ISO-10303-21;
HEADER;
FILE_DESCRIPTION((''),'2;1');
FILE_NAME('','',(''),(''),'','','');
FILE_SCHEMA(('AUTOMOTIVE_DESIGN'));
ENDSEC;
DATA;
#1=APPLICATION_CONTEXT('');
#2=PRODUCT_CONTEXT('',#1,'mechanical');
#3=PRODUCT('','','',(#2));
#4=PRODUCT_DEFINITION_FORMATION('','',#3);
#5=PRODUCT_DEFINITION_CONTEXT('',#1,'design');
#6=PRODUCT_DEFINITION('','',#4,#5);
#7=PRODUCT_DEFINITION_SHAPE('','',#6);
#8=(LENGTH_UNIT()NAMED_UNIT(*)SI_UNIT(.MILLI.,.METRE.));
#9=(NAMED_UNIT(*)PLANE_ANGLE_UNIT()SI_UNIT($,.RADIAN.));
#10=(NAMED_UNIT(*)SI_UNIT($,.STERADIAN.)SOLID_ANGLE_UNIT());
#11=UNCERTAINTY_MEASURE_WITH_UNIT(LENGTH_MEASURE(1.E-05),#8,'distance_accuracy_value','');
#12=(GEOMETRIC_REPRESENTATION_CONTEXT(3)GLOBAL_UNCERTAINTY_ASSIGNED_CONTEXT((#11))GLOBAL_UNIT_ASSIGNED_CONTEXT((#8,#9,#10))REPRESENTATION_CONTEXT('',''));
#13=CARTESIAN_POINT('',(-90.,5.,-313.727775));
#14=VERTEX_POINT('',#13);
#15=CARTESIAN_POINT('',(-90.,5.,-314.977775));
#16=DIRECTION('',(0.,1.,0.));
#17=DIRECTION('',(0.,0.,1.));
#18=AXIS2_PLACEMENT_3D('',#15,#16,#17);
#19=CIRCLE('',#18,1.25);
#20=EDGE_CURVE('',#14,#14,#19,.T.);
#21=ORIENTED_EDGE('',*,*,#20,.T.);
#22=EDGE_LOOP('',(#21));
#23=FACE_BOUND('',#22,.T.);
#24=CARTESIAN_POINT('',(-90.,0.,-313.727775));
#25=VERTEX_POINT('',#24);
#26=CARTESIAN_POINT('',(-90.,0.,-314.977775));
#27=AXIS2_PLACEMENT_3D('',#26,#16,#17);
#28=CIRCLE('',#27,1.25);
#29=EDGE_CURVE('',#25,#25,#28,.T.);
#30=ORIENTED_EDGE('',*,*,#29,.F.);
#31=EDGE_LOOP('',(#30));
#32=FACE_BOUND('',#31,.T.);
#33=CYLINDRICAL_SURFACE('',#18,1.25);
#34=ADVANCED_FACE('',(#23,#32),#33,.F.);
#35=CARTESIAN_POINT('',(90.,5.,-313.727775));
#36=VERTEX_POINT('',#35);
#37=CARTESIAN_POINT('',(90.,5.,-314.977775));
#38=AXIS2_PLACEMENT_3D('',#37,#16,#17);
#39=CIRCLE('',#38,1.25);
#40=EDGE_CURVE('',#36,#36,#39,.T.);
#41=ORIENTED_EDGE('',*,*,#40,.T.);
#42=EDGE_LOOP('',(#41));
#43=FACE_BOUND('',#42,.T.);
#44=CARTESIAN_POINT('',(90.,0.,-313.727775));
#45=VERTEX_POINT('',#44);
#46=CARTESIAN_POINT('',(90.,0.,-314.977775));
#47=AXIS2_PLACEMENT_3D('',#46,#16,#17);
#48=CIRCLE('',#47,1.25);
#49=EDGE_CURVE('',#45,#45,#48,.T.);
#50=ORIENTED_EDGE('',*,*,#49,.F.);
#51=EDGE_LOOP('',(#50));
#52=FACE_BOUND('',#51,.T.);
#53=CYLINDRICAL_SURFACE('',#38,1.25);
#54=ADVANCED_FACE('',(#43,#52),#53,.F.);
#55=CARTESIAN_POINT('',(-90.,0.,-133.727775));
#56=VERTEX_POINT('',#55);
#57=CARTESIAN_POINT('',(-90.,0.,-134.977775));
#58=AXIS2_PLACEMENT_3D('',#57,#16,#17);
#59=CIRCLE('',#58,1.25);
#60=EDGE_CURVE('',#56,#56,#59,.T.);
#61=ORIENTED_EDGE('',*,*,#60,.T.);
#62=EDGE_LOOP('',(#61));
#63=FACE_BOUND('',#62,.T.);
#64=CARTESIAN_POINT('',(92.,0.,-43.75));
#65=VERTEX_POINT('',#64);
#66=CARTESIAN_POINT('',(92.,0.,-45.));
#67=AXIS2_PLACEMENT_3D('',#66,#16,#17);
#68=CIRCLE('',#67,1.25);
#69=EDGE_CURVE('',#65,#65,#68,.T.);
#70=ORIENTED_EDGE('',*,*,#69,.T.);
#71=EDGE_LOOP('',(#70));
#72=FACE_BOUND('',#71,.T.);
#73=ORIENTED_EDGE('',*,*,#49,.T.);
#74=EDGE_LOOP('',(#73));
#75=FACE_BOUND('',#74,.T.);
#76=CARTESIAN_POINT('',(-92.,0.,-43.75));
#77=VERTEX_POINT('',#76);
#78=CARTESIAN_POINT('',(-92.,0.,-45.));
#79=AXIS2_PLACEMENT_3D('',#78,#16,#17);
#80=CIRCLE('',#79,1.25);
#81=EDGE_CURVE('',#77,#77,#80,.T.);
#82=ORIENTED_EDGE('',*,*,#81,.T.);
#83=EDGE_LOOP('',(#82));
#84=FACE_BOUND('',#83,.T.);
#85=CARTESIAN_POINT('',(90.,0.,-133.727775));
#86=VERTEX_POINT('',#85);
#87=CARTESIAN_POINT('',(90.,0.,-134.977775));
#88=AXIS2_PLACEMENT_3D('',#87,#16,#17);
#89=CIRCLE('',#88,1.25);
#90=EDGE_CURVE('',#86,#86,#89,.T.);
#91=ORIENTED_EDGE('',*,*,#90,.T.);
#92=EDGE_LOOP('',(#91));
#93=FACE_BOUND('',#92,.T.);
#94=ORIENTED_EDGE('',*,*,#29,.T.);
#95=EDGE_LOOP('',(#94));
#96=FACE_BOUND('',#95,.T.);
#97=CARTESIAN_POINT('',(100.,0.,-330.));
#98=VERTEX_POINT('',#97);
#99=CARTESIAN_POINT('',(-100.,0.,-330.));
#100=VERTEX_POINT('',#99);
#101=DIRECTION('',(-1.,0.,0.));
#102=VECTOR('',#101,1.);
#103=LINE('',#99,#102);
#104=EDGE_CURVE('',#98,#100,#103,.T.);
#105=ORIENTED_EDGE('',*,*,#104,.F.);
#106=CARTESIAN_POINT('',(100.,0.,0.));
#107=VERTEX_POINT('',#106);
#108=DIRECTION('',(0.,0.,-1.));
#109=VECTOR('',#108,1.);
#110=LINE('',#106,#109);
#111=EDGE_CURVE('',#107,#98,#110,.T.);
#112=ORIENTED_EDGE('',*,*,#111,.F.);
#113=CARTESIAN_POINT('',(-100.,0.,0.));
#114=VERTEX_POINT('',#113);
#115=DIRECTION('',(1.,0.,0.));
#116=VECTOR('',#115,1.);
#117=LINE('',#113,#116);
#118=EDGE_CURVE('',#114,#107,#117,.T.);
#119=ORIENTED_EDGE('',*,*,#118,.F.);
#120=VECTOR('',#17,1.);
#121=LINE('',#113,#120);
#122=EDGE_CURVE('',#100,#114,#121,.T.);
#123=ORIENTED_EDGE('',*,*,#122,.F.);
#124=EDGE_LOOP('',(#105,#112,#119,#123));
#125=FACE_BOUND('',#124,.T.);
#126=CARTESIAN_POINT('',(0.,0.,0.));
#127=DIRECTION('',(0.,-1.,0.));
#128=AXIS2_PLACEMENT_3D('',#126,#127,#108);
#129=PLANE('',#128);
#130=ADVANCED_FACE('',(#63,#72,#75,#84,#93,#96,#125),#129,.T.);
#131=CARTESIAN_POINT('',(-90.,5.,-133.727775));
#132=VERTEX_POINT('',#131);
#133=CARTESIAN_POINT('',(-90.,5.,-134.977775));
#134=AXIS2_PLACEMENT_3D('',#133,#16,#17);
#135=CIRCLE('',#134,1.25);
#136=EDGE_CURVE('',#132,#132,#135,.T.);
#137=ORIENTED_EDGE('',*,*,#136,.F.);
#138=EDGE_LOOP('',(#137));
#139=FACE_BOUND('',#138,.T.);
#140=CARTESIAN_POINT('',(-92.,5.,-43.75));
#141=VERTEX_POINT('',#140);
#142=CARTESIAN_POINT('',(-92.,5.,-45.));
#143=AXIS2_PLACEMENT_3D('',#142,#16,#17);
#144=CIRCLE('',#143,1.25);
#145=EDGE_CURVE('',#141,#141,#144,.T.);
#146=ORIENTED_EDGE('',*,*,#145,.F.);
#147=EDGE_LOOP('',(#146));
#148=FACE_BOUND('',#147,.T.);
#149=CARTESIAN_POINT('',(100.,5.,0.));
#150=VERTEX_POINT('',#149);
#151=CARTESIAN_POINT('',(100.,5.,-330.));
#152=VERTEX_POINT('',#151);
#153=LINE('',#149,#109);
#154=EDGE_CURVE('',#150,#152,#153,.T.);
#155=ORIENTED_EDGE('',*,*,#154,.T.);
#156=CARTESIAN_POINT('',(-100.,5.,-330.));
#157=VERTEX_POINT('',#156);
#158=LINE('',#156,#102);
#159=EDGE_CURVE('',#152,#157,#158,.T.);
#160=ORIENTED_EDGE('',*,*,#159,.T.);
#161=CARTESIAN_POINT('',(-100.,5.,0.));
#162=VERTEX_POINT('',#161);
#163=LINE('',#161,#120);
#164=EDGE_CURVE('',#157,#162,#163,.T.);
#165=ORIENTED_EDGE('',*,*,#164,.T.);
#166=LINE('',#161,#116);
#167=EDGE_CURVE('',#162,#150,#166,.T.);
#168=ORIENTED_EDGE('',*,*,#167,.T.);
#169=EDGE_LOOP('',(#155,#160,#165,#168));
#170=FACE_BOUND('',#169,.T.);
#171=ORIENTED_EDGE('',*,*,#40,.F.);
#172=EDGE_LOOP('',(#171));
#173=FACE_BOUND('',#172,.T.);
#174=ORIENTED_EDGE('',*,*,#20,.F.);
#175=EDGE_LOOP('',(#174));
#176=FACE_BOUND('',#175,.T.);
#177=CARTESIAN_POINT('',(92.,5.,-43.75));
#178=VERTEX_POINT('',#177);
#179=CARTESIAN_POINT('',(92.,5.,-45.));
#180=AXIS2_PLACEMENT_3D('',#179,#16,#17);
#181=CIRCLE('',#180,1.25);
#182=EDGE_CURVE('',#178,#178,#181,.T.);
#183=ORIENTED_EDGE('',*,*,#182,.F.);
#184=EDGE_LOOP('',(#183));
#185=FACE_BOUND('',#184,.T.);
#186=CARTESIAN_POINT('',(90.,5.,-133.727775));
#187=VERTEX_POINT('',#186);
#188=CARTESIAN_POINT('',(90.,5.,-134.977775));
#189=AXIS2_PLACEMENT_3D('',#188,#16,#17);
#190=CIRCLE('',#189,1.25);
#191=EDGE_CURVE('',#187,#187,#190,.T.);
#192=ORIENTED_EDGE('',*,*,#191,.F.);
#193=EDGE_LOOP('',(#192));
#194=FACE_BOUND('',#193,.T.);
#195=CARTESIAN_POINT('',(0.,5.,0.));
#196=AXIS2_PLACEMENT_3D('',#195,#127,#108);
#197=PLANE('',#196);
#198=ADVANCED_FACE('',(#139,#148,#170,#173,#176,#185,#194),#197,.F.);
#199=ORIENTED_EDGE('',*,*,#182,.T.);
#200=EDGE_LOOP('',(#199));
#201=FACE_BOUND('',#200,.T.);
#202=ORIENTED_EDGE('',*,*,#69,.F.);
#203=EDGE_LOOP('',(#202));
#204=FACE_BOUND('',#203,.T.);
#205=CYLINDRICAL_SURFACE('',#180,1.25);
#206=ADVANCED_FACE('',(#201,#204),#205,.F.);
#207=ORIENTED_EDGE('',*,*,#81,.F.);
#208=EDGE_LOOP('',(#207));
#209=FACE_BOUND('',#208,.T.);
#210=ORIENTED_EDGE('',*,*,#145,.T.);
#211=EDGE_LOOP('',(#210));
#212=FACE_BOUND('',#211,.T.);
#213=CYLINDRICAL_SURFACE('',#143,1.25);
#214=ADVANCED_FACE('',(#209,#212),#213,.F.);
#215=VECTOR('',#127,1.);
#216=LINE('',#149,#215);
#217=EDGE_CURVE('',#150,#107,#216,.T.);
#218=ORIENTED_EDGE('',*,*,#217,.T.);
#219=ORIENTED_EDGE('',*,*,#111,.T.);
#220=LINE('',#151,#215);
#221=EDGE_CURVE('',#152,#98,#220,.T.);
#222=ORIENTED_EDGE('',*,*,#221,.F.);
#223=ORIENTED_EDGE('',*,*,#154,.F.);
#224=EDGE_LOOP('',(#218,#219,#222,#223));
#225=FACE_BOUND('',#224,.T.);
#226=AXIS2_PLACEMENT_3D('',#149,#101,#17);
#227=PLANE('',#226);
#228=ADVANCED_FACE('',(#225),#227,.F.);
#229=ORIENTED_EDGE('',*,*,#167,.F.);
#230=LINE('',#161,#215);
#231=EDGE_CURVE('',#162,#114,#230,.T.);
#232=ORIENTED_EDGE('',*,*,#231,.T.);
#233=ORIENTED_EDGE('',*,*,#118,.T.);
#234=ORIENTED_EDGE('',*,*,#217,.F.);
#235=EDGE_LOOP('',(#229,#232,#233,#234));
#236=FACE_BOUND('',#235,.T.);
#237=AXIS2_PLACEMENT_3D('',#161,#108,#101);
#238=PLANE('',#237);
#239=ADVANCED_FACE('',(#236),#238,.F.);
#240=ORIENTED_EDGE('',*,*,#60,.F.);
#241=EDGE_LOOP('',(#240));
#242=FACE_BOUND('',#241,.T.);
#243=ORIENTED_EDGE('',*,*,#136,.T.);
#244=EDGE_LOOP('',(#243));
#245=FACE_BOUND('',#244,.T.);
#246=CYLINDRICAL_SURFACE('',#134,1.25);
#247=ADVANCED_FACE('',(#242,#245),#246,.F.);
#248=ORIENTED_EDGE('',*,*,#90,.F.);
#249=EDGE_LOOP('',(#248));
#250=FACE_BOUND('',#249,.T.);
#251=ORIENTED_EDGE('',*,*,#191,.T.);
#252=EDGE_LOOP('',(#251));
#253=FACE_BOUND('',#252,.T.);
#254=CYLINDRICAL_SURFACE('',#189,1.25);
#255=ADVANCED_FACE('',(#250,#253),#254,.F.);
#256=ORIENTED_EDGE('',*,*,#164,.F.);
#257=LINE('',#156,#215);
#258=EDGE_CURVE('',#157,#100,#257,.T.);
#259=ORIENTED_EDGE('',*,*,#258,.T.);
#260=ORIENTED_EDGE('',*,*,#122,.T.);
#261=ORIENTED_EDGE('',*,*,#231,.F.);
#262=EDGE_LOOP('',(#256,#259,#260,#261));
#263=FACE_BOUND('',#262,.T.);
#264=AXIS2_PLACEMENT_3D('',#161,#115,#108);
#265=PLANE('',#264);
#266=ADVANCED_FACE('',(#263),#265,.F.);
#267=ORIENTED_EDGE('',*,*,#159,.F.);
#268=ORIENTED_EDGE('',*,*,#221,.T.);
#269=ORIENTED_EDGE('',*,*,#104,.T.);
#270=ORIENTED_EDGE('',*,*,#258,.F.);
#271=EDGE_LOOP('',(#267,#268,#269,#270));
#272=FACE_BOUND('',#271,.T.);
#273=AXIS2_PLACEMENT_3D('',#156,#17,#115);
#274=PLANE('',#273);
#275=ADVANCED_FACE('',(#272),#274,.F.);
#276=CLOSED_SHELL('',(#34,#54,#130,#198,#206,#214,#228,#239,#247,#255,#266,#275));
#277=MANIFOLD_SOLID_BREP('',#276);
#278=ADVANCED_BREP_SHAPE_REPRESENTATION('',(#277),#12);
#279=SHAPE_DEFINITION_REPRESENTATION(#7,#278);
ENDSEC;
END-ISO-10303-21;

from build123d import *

# Parameters (mm, degrees)
SCHIZZO1_W                   = 200
SCHIZZO1_H                   = 330
ESTRUSIONE_ESTRUSIONE1_DEPTH = 5
FORO_FILETTATO_M3_1_D        = 2.5


with BuildPart() as part:
    # Schizzo1 → Estrusione-Estrusione1 (new body)
    with BuildSketch(Plane(origin=(0, 0, 0), x_dir=(1, 0, 0), z_dir=(0, 1, 0))):
        with Locations((0, 165)):
            Rectangle(SCHIZZO1_W, SCHIZZO1_H)
    extrude(amount=ESTRUSIONE_ESTRUSIONE1_DEPTH)

    # Foro filettato M3-1 (through all)
    with Locations(Plane(origin=(0, 5, 0), x_dir=(1, 0, 0), z_dir=(0, 1, 0))):
        with Locations((-92, 45), (92, 45), (-90, 134.977775034), (90, 134.977775034), (-90, 314.977775034), (90, 314.977775034)):
            Hole(FORO_FILETTATO_M3_1_D / 2)


solid = part.part
